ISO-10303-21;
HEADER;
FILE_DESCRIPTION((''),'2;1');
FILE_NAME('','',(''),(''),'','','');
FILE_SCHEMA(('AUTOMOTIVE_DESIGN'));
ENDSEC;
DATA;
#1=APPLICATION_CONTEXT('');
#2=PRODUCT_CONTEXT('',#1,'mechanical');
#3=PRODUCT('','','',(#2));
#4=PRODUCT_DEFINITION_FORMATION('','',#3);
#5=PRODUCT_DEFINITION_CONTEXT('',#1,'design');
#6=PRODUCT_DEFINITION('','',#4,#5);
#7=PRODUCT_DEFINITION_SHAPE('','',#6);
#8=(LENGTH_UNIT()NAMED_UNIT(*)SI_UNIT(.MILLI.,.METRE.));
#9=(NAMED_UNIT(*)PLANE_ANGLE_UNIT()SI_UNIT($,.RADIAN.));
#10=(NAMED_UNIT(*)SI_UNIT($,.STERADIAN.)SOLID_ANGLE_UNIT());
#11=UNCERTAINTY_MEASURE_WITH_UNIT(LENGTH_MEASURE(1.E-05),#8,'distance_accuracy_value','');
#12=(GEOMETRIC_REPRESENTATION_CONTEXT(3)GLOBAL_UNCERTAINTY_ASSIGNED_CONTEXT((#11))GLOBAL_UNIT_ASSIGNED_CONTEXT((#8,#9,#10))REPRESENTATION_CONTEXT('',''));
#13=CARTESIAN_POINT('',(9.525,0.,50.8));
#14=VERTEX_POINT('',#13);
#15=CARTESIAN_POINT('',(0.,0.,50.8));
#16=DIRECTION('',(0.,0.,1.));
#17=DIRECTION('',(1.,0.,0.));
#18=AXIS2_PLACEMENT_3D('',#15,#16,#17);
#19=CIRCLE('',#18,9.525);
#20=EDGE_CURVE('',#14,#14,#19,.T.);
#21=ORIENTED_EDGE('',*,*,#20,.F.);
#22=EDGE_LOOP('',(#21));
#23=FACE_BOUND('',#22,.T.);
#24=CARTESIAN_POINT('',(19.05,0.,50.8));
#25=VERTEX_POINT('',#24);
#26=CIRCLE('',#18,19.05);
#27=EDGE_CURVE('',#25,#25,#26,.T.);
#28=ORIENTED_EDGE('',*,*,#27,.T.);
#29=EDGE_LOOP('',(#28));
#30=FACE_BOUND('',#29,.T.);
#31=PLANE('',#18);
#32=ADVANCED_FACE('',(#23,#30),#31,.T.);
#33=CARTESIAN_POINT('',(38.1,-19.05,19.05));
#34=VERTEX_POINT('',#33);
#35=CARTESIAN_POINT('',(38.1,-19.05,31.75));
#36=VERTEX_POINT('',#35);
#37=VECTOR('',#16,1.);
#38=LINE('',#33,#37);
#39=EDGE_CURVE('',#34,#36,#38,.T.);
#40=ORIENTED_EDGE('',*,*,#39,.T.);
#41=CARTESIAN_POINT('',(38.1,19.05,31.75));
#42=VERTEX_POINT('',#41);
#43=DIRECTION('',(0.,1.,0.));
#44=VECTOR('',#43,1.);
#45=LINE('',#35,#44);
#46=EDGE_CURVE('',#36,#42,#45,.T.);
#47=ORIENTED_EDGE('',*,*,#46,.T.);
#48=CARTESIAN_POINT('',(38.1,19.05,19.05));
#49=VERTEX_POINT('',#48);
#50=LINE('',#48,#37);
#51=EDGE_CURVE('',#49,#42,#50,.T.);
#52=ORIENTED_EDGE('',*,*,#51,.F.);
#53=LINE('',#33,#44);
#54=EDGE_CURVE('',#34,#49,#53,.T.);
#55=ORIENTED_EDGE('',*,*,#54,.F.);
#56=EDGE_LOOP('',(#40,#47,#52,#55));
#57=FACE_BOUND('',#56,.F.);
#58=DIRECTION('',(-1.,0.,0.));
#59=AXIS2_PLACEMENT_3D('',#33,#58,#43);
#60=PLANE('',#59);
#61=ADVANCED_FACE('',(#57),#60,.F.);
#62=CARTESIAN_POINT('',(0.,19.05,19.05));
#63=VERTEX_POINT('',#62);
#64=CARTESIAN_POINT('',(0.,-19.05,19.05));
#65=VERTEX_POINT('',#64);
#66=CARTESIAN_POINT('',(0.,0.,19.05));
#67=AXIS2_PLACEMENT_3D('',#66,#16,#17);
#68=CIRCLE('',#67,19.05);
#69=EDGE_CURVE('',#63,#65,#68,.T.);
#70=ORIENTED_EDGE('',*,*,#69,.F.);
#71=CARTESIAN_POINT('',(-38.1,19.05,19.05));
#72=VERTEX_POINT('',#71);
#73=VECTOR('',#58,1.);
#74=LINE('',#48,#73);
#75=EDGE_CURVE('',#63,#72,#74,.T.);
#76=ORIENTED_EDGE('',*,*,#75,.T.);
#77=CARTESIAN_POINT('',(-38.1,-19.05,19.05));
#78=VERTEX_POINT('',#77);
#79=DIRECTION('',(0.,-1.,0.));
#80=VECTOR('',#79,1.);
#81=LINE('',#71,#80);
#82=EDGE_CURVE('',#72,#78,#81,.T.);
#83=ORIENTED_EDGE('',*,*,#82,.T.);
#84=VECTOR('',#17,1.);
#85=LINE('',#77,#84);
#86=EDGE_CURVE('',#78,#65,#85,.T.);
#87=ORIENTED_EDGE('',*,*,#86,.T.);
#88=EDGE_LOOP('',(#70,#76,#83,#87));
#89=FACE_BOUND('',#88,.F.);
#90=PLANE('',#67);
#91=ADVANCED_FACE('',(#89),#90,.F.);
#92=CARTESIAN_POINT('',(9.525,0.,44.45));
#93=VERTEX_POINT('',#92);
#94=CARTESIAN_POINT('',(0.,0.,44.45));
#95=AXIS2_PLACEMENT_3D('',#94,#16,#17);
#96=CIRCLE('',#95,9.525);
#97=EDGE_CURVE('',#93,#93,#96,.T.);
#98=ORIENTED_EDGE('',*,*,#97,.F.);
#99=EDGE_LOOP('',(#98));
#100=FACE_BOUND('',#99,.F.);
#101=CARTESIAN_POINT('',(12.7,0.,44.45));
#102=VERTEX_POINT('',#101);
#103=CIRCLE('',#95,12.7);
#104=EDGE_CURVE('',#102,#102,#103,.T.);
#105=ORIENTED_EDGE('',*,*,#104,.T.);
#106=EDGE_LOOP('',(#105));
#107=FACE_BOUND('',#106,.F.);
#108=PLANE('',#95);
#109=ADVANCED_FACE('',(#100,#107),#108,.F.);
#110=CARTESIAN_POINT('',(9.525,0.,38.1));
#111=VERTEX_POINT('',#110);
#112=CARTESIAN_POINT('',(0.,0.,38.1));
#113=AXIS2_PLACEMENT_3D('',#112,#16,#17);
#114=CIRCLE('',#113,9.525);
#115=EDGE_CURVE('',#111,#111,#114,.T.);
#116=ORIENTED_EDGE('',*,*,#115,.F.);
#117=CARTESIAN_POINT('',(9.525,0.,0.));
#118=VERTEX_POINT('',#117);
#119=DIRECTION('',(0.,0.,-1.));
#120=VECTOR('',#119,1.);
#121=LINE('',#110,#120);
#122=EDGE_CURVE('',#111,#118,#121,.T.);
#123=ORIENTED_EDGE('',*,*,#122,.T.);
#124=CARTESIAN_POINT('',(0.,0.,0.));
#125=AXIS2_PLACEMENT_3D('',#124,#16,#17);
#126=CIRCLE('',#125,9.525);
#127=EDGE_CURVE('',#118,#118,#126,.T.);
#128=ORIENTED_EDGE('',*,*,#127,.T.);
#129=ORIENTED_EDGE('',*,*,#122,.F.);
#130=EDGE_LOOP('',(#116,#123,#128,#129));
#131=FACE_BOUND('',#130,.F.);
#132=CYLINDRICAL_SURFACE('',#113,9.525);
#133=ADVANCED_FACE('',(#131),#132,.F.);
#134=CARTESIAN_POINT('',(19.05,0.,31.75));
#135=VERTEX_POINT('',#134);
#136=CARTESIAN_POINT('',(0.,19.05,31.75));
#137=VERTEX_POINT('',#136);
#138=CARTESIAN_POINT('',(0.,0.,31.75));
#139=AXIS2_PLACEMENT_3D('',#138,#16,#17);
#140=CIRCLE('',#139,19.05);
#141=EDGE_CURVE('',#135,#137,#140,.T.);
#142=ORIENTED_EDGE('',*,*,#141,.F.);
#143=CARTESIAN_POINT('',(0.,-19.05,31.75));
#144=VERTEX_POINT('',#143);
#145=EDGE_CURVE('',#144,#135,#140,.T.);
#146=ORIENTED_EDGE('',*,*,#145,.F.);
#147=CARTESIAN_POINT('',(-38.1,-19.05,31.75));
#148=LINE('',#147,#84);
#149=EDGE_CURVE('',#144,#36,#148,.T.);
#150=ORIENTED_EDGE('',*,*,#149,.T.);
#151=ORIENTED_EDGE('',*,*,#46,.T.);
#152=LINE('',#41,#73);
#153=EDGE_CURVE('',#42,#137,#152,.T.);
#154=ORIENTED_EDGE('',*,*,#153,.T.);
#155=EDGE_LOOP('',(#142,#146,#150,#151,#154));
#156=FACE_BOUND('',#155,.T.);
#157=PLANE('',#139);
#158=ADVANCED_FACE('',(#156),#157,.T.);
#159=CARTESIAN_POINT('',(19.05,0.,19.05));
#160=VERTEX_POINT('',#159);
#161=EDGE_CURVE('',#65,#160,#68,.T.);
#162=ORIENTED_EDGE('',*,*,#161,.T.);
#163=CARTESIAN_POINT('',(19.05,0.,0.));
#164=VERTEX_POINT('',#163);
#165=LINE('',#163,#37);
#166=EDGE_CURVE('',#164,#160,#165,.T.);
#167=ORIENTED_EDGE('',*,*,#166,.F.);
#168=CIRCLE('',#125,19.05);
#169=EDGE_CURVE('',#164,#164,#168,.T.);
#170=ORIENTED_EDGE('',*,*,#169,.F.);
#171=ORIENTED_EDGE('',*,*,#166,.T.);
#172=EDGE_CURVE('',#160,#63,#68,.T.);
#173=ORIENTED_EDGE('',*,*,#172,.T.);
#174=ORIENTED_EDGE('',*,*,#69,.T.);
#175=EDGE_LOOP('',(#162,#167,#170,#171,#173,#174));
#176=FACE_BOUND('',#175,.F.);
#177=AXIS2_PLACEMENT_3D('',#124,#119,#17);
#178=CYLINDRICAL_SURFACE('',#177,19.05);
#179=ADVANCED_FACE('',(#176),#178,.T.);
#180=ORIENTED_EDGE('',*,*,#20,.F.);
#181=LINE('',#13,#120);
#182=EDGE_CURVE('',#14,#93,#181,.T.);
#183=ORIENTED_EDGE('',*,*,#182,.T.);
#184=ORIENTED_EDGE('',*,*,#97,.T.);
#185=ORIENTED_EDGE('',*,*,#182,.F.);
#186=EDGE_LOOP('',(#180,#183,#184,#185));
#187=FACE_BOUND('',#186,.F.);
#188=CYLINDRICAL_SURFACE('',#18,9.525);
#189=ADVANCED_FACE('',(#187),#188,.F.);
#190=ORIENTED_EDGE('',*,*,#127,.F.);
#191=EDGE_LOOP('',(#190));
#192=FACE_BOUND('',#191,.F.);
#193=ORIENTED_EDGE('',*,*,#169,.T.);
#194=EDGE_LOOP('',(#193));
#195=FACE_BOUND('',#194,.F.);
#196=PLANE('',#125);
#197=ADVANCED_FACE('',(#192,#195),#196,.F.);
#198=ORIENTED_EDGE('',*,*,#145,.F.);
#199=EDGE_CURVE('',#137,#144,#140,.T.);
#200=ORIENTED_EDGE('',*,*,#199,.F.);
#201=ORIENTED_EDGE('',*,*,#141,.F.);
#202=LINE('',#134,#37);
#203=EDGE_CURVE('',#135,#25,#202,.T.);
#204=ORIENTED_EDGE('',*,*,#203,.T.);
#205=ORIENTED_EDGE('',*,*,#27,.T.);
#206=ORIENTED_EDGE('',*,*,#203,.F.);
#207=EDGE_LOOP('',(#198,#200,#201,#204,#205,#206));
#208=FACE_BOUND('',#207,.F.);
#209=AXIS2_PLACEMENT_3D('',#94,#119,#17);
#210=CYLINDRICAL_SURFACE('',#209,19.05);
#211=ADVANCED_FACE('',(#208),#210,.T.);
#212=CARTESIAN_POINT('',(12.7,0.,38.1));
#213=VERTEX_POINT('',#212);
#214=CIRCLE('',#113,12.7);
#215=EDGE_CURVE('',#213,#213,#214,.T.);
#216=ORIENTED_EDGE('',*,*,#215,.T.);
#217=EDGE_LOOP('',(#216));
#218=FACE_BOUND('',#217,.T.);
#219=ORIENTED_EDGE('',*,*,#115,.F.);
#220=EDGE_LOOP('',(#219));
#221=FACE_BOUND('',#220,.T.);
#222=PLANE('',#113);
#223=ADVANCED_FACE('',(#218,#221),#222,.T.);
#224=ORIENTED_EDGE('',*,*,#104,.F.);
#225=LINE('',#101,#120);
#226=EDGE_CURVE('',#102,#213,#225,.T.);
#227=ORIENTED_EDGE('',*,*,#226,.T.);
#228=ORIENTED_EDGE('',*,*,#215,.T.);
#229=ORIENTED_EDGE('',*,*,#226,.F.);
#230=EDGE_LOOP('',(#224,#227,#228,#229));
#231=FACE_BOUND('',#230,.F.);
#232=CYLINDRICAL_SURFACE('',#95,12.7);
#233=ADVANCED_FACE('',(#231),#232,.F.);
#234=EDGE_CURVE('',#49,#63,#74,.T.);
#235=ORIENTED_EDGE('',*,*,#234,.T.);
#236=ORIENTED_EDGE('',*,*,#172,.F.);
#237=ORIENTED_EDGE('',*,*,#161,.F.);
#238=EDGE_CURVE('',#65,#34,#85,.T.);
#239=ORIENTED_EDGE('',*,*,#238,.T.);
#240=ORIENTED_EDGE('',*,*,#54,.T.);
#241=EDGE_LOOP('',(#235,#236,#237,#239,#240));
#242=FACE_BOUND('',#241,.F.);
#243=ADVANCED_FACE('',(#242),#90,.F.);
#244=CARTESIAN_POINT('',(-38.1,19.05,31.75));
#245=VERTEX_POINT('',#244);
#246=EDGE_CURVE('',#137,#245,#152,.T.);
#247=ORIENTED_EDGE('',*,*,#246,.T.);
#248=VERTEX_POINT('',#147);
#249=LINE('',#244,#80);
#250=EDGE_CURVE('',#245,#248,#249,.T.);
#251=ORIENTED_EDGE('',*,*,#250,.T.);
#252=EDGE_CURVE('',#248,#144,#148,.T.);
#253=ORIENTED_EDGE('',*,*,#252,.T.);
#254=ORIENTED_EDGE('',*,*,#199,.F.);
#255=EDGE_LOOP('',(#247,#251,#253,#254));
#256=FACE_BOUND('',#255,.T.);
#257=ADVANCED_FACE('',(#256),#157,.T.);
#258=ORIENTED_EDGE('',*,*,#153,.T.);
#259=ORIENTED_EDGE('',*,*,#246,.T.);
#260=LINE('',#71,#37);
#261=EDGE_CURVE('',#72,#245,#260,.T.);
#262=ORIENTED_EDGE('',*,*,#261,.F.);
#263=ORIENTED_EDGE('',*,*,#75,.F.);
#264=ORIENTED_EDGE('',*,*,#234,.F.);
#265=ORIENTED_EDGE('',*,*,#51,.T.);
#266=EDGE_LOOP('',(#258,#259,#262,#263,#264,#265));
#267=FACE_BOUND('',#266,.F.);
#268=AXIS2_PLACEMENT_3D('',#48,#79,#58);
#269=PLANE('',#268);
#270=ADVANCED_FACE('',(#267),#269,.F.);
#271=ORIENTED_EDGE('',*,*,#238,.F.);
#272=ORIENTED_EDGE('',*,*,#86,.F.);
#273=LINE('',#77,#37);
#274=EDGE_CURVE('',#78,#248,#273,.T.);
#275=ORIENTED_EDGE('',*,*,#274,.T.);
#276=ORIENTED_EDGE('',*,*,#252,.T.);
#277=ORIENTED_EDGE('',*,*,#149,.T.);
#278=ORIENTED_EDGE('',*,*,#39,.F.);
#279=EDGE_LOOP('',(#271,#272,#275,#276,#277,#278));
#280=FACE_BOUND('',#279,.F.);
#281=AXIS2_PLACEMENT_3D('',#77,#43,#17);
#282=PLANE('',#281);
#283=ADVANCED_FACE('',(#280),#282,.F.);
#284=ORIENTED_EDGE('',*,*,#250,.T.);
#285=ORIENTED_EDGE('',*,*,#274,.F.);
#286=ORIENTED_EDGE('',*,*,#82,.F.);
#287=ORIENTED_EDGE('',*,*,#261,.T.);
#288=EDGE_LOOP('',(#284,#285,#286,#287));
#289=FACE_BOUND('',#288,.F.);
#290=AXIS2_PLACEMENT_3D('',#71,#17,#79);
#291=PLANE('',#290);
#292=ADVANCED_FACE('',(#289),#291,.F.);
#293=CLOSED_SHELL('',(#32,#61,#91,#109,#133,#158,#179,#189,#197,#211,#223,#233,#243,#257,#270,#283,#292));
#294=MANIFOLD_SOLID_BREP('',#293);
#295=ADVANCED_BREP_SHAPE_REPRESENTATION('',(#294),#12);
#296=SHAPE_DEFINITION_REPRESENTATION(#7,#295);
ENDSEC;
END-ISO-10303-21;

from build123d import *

# Parameters (mm, degrees)
F0_R      = 19.05
F1_DEPTH  = 19.05
F3_DEPTH  = 12.7
F4_R      = 19.05
F5_DEPTH  = 6.35
F6_R      = 9.525
F7_DEPTH  = 57.15
F8_R      = 19.05
F9_DEPTH  = 6.35
F10_R     = 12.7
F11_DEPTH = 6.35
F12_R     = 19.05
F13_DEPTH = 6.35
F14_R     = 9.525
F15_DEPTH = 6.35


with BuildPart() as f1:
    # F0 (on Top) → F1 (new body)
    with BuildSketch(Plane.XY):
        Circle(F0_R)
    extrude(amount=F1_DEPTH)

    # F2 (on face) → F3 (join)
    with BuildSketch(Plane.XY.offset(19.05)):
        Polygon((38.1, 19.05), (0, 19.05), (-38.1, 19.05), (-38.1, -19.05), (0, -19.05), (38.1, -19.05), align=None)
    extrude(amount=F3_DEPTH)

    # F4 (on face) → F5 (join)
    with BuildSketch(Plane.XY.offset(31.75)):
        Circle(F4_R)
    extrude(amount=F5_DEPTH)

    # F6 (on face) → F7 (cut)
    with BuildSketch(Plane.XY.offset(38.1)):
        Circle(F6_R)
    extrude(amount=-F7_DEPTH, mode=Mode.SUBTRACT)

    # F8 (on face) → F9 (join)
    with BuildSketch(Plane.XY.offset(38.1)):
        Circle(F8_R)
    extrude(amount=F9_DEPTH)

    # F10 (on face) → F11 (cut)
    with BuildSketch(Plane.XY.offset(44.45)):
        Circle(F10_R)
    extrude(amount=-F11_DEPTH, mode=Mode.SUBTRACT)

    # F12 (on face) → F13 (join)
    with BuildSketch(Plane.XY.offset(44.45)):
        Circle(F12_R)
    extrude(amount=F13_DEPTH)

    # F14 (on face) → F15 (cut)
    with BuildSketch(Plane.XY.offset(50.8)):
        Circle(F14_R)
    extrude(amount=-F15_DEPTH, mode=Mode.SUBTRACT)


solid = f1.part
